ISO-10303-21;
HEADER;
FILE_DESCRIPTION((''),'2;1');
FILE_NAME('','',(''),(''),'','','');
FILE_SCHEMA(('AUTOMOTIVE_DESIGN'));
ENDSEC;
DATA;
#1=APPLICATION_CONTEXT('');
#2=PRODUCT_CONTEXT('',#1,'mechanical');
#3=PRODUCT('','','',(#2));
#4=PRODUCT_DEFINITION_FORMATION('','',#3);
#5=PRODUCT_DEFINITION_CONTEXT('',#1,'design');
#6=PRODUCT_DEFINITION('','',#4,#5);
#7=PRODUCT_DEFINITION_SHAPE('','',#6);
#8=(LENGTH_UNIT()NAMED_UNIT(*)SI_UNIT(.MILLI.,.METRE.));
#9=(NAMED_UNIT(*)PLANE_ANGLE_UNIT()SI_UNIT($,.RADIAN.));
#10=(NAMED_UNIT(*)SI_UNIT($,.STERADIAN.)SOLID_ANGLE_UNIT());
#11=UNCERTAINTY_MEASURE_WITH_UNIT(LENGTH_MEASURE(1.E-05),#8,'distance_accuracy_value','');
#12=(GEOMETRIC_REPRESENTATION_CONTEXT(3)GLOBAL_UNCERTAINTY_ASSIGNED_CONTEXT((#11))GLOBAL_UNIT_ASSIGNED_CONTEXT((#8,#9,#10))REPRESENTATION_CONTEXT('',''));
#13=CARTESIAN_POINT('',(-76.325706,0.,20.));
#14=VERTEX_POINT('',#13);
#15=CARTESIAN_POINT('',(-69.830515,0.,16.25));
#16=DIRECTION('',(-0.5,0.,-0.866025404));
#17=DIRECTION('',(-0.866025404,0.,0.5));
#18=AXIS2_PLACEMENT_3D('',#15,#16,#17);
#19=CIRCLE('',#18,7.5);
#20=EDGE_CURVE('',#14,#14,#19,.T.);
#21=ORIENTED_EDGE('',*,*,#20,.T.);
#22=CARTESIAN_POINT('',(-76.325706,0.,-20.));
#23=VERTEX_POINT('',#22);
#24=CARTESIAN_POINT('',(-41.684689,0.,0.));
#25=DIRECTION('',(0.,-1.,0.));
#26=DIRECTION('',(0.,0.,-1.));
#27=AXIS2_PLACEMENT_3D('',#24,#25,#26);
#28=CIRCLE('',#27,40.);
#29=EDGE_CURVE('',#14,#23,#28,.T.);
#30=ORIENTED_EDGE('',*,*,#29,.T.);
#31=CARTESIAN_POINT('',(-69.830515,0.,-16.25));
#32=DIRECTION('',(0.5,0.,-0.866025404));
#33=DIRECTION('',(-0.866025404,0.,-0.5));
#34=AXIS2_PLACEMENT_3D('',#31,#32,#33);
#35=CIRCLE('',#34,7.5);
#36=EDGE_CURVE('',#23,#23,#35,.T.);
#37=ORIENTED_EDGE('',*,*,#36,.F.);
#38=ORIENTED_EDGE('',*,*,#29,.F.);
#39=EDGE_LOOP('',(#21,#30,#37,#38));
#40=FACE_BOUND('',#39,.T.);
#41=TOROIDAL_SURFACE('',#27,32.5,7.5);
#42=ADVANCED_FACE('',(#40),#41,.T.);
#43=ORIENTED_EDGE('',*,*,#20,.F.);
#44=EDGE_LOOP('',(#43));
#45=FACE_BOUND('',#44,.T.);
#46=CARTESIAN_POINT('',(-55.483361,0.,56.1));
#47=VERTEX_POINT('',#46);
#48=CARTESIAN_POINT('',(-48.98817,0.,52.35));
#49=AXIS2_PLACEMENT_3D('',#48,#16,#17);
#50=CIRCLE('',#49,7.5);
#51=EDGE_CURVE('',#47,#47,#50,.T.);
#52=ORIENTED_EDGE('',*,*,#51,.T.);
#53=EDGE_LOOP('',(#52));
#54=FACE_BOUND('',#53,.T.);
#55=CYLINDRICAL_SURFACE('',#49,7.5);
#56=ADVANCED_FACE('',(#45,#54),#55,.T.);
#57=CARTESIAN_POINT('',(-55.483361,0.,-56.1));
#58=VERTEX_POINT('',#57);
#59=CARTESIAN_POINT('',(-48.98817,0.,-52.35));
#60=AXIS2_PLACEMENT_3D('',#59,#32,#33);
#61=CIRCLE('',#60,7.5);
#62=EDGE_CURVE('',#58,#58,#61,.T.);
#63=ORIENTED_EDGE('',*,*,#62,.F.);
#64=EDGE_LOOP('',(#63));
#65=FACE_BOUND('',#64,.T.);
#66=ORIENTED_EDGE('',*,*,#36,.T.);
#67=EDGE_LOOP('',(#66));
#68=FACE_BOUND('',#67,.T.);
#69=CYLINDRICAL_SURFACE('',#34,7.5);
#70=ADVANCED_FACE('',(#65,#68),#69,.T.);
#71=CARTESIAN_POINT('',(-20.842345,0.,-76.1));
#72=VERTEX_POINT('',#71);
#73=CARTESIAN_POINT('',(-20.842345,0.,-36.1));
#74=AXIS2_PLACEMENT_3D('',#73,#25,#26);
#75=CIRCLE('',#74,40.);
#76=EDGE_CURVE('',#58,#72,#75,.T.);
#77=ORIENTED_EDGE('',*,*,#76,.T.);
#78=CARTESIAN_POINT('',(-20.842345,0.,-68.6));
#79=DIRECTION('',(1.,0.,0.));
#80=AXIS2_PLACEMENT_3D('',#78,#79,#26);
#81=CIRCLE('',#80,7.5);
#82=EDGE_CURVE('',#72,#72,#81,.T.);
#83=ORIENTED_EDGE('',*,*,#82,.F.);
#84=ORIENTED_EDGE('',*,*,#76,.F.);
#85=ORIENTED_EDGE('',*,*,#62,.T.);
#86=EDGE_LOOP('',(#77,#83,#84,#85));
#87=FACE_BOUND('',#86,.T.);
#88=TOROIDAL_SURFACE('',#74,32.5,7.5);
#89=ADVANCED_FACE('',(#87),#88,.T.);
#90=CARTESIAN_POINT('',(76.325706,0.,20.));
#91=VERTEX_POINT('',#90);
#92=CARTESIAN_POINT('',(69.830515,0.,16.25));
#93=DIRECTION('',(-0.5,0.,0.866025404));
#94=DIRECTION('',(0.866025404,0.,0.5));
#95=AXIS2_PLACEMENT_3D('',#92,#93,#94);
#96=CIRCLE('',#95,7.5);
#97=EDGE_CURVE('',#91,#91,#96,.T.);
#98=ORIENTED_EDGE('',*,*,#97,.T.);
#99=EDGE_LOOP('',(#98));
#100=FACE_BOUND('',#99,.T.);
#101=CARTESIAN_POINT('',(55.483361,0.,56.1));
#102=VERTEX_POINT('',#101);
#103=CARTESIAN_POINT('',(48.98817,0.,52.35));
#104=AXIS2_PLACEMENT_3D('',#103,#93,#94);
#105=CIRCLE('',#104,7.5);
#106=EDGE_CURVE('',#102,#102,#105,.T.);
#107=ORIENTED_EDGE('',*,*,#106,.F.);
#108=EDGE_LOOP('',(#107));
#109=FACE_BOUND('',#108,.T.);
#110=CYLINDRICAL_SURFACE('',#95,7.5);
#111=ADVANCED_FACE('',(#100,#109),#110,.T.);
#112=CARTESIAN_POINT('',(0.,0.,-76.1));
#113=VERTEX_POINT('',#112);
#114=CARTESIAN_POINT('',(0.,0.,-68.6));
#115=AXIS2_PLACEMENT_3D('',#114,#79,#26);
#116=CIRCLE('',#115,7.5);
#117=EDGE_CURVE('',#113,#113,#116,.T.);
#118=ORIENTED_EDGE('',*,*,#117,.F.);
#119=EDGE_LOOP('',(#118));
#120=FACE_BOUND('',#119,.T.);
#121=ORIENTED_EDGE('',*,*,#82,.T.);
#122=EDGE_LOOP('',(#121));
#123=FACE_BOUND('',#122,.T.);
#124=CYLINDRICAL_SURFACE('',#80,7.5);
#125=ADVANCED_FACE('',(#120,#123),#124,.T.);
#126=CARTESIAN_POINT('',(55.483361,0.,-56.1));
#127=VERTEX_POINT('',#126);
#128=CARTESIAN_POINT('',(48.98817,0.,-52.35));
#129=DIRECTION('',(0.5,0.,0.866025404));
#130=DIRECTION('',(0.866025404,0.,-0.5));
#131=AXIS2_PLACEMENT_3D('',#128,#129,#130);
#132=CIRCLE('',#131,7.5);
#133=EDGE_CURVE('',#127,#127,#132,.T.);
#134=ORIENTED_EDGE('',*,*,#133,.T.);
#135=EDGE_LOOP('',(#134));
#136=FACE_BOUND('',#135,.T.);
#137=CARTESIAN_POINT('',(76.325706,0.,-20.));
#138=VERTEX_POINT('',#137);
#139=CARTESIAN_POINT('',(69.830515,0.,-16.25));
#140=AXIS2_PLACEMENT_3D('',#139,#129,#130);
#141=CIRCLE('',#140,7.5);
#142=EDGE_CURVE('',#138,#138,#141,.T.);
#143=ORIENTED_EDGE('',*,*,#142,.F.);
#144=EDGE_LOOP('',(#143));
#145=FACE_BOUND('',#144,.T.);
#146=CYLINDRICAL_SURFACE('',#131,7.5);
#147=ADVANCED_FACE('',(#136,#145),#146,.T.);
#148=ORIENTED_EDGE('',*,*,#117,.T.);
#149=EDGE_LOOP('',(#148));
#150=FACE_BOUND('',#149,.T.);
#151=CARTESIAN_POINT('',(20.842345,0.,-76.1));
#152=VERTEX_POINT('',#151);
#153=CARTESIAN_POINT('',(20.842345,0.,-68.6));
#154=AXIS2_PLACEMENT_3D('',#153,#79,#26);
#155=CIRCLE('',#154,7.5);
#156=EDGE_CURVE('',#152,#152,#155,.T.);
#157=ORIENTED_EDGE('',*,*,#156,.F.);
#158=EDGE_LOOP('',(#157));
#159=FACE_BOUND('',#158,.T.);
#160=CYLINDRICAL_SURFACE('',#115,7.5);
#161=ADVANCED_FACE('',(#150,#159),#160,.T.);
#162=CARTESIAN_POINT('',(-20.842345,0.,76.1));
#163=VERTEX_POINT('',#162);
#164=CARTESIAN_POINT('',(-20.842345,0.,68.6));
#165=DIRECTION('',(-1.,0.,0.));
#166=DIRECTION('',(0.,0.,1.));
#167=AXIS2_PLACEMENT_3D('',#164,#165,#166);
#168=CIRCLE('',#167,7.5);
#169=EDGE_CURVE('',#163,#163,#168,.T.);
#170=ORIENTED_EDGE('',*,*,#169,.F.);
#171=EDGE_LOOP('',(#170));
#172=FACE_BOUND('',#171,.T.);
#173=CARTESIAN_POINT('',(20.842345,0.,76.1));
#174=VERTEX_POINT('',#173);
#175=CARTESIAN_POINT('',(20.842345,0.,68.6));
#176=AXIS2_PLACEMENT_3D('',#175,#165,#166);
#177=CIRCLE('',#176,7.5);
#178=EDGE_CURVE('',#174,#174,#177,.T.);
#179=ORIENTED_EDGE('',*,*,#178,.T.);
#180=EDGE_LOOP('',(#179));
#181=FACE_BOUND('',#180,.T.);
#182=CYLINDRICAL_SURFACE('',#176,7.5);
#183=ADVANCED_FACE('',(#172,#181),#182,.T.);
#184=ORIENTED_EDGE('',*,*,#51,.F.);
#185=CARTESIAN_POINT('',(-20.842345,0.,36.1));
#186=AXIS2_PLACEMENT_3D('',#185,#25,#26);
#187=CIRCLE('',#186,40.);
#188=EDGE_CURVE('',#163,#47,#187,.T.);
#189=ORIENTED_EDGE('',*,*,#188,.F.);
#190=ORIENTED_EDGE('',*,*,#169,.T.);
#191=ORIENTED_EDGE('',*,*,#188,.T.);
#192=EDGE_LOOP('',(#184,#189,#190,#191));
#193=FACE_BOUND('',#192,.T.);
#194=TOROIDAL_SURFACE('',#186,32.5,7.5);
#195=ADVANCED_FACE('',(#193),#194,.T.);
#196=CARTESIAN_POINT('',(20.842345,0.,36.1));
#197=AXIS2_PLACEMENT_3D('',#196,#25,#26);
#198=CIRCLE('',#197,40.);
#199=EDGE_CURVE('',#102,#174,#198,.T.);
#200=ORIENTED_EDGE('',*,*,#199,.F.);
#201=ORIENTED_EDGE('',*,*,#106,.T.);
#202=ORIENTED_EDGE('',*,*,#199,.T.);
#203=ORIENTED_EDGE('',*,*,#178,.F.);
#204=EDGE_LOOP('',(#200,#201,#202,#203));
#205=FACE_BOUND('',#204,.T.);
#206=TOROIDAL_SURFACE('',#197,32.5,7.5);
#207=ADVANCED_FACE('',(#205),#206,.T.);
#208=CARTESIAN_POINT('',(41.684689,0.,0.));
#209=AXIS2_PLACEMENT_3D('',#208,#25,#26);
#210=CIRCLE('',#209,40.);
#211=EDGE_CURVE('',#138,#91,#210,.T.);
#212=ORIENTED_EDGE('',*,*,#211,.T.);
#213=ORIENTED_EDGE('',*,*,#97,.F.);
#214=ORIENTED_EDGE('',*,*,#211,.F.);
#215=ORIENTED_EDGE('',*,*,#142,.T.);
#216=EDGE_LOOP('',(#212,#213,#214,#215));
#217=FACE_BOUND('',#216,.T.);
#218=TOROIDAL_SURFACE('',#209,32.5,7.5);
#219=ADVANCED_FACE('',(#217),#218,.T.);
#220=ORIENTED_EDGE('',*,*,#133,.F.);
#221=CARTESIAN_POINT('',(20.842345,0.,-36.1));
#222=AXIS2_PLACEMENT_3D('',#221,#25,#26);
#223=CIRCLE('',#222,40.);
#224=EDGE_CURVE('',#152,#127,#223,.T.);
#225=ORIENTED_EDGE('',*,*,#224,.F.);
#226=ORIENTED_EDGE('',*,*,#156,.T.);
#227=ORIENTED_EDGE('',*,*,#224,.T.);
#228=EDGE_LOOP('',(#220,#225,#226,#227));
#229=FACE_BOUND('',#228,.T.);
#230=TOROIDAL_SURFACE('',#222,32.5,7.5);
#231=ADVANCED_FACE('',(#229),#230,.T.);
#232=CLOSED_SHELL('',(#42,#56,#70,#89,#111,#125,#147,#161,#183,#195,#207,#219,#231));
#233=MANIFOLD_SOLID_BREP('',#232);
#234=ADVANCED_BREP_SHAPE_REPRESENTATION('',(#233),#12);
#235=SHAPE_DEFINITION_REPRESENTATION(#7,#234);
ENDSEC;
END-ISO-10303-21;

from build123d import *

# Parameters (mm, degrees)
SKETCH2_R = 7.5


with BuildPart() as part:
    # Sweep1: sweep along a path in Sketch1
    with BuildLine(Plane(origin=(0, 0, 0), x_dir=(1, 0, 0), z_dir=(0, 1, 0))) as sweep1_path:
        Line((63.33532453, 12.5), (42.492979812, 48.6))
        ThreePointArc((42.492979812, 48.6), (33.342344718, 57.750635095), (20.842344718, 61.1))
        Line((20.842344718, 61.1), (-20.842344718, 61.1))
        ThreePointArc((-20.842344718, 61.1), (-33.342344718, 57.750635095), (-42.492979812, 48.6))
        Line((-42.492979812, 48.6), (-63.33532453, 12.5))
        ThreePointArc((-63.33532453, 12.5), (-66.684689435, 0), (-63.33532453, -12.5))
        Line((-63.33532453, -12.5), (-42.492979812, -48.6))
        ThreePointArc((-42.492979812, -48.6), (-33.342344718, -57.750635095), (-20.842344718, -61.1))
        Line((-20.842344718, -61.1), (20.842344718, -61.1))
        ThreePointArc((20.842344718, -61.1), (33.342344718, -57.750635095), (42.492979812, -48.6))
        Line((42.492979812, -48.6), (63.33532453, -12.5))
        ThreePointArc((63.33532453, -12.5), (66.684689435, 0), (63.33532453, 12.5))
    # Sketch2 → Sweep1 (sweep)
    with BuildSketch(Plane(origin=(0, 0, 0), x_dir=(0, 0, -1), z_dir=(1, 0, 0))):
        with Locations((68.6, 0)):
            Circle(SKETCH2_R)
    sweep(path=sweep1_path.line)


solid = part.part
